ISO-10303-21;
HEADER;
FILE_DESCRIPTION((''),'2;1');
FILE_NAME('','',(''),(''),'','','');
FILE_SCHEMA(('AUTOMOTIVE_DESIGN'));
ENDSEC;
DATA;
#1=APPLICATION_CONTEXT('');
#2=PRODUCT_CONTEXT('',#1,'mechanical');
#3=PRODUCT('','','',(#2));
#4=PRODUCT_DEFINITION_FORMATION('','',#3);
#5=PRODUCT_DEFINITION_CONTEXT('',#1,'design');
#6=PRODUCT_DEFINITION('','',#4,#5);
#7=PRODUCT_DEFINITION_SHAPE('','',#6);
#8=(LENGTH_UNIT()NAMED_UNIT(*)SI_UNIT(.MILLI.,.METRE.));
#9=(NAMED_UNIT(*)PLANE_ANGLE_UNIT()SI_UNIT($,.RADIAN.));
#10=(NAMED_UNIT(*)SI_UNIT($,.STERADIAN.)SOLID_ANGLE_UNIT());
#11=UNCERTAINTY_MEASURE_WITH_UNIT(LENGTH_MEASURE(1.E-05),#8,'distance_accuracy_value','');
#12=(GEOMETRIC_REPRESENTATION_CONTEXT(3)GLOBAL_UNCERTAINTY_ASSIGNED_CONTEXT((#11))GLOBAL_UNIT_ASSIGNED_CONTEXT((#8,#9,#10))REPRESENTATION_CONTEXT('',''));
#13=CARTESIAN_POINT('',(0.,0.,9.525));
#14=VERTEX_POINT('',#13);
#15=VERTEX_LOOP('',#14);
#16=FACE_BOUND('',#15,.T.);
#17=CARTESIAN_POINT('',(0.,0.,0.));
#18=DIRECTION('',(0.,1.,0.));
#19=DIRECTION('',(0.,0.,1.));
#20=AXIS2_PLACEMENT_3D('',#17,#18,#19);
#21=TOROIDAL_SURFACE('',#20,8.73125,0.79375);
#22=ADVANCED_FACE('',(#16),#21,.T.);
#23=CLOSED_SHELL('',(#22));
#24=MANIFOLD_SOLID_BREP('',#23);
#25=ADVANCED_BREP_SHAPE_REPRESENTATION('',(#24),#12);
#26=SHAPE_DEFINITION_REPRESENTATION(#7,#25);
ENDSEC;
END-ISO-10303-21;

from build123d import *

# Parameters (mm, degrees)
SKETCH1_R = 0.79375


with BuildPart() as part:
    # Sketch1 → Revolve1 (revolve)
    with BuildSketch(Plane.XY, mode=Mode.PRIVATE) as revolve1_sk:
        with Locations((-8.73125, 0)):
            Circle(SKETCH1_R)
    revolve(revolve1_sk.sketch.rotate(Axis((0, 27.382641921, 0), (0, -1, 0)), 270), axis=Axis((0, 27.382641921, 0), (0, -1, 0)))


solid = part.part
